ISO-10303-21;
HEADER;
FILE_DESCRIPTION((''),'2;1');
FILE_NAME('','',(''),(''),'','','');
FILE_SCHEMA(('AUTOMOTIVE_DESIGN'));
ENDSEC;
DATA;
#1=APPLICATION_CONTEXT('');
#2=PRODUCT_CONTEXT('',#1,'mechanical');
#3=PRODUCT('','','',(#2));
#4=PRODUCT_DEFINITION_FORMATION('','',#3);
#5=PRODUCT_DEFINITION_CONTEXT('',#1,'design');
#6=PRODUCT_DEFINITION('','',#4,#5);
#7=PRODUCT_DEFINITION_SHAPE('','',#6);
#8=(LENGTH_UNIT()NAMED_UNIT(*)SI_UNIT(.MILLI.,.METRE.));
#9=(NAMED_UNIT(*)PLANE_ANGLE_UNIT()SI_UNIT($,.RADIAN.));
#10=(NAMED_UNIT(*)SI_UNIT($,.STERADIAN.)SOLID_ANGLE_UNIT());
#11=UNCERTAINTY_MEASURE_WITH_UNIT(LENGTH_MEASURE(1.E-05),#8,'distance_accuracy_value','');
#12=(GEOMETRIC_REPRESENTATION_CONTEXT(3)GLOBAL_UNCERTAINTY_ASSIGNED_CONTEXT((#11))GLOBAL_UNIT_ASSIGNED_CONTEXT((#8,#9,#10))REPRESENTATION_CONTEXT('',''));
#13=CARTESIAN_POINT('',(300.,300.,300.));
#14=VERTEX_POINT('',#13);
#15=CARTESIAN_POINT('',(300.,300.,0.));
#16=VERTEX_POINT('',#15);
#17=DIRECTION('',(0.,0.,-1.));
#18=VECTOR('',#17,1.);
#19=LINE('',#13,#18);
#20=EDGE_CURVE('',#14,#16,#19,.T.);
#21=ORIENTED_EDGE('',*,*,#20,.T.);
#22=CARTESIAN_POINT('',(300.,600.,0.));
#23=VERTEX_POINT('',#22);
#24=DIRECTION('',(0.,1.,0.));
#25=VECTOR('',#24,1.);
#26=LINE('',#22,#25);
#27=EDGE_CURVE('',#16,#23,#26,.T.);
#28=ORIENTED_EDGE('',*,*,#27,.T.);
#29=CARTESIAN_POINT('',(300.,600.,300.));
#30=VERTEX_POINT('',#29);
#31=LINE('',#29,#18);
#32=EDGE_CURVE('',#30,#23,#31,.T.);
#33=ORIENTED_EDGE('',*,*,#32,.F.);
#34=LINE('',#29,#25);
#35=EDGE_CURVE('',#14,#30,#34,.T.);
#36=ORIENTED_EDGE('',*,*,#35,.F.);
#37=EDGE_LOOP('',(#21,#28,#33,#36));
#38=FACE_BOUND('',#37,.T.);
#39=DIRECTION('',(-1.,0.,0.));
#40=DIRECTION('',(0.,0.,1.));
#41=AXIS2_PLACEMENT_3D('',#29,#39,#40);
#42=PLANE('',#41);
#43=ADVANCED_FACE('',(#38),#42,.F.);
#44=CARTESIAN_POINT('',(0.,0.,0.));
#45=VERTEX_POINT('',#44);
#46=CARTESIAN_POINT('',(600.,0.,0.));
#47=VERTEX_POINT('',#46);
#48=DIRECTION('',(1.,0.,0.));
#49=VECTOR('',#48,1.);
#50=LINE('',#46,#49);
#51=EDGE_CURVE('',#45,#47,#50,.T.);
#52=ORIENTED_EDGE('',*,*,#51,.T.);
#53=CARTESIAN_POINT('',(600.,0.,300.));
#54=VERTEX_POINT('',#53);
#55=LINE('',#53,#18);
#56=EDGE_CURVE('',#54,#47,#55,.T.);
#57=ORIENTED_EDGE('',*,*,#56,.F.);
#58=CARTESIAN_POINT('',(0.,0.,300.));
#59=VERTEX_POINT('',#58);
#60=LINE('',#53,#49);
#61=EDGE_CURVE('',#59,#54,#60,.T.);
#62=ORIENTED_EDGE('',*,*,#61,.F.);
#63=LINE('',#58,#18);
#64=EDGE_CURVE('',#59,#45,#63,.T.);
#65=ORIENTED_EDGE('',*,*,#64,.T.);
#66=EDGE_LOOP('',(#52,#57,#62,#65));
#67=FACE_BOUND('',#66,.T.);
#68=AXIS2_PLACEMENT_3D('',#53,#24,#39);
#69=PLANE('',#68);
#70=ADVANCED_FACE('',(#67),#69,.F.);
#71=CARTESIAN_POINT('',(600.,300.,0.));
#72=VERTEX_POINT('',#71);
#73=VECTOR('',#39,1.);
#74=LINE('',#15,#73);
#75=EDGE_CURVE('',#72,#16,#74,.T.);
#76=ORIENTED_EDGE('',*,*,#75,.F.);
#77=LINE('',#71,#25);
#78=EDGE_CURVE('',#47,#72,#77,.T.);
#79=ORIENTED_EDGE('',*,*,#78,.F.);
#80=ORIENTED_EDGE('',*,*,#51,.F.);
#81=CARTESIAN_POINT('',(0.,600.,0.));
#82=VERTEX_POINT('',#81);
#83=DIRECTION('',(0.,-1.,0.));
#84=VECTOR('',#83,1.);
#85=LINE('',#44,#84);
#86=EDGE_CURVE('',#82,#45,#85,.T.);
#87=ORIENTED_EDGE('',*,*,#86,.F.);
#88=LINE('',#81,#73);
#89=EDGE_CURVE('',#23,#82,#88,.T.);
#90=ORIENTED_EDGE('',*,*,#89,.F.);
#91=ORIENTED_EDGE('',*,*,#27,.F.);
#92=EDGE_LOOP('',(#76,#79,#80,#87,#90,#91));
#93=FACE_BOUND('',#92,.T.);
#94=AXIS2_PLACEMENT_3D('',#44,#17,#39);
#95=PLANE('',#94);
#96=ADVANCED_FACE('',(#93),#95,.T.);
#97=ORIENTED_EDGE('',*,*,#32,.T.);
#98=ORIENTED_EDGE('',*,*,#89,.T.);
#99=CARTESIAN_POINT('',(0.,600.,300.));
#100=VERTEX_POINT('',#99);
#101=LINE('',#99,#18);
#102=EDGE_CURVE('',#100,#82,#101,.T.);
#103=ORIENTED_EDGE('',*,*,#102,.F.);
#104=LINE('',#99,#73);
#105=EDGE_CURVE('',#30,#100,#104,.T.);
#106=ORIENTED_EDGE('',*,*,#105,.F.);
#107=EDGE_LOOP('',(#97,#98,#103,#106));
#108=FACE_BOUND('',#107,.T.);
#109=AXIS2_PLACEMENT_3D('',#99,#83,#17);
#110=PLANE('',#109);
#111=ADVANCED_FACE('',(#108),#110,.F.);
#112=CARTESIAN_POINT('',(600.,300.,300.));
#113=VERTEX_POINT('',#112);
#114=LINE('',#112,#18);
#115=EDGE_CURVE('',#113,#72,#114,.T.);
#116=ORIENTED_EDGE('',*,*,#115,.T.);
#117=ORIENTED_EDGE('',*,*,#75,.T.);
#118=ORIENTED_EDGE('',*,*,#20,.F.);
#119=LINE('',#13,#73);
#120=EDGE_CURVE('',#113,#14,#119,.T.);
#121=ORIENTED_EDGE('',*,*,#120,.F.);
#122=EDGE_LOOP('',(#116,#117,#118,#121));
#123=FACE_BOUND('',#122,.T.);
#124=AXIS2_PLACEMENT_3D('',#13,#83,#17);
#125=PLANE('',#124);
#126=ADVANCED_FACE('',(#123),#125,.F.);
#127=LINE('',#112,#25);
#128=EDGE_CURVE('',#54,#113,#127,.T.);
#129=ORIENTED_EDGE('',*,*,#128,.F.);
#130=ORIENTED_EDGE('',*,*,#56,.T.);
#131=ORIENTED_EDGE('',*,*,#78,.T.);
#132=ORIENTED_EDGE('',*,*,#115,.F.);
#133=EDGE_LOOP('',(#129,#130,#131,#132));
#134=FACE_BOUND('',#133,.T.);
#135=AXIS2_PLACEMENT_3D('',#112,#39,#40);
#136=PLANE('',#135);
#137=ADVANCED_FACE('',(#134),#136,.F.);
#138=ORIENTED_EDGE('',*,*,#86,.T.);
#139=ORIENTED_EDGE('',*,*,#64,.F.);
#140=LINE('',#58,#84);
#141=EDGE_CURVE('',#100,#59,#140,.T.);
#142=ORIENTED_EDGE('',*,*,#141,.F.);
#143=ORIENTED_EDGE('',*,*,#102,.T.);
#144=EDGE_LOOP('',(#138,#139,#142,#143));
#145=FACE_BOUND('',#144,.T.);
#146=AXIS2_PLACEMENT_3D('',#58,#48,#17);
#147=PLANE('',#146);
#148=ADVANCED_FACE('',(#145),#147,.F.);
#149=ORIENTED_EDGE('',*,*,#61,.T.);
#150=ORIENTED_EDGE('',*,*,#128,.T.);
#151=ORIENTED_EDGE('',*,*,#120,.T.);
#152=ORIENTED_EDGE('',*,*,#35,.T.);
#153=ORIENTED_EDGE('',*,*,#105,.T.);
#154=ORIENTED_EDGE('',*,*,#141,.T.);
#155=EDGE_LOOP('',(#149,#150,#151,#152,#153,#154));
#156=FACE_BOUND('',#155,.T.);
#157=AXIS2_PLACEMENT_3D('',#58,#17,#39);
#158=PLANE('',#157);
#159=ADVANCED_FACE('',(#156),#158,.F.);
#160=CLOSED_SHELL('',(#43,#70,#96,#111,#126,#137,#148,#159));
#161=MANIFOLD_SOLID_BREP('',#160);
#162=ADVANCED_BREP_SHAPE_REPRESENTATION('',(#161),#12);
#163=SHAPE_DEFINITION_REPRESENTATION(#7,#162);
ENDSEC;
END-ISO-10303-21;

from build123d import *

# Parameters (mm, degrees)
BOSS_EXTRU_1_DEPTH = 300


with BuildPart() as part:
    # Esquisse1 → Boss.-Extru.1 (new body)
    with BuildSketch(Plane.XY):
        Polygon((0, 0), (0, 600), (300, 600), (300, 300), (600, 300), (600, 0), align=None)
    extrude(amount=BOSS_EXTRU_1_DEPTH)


solid = part.part
